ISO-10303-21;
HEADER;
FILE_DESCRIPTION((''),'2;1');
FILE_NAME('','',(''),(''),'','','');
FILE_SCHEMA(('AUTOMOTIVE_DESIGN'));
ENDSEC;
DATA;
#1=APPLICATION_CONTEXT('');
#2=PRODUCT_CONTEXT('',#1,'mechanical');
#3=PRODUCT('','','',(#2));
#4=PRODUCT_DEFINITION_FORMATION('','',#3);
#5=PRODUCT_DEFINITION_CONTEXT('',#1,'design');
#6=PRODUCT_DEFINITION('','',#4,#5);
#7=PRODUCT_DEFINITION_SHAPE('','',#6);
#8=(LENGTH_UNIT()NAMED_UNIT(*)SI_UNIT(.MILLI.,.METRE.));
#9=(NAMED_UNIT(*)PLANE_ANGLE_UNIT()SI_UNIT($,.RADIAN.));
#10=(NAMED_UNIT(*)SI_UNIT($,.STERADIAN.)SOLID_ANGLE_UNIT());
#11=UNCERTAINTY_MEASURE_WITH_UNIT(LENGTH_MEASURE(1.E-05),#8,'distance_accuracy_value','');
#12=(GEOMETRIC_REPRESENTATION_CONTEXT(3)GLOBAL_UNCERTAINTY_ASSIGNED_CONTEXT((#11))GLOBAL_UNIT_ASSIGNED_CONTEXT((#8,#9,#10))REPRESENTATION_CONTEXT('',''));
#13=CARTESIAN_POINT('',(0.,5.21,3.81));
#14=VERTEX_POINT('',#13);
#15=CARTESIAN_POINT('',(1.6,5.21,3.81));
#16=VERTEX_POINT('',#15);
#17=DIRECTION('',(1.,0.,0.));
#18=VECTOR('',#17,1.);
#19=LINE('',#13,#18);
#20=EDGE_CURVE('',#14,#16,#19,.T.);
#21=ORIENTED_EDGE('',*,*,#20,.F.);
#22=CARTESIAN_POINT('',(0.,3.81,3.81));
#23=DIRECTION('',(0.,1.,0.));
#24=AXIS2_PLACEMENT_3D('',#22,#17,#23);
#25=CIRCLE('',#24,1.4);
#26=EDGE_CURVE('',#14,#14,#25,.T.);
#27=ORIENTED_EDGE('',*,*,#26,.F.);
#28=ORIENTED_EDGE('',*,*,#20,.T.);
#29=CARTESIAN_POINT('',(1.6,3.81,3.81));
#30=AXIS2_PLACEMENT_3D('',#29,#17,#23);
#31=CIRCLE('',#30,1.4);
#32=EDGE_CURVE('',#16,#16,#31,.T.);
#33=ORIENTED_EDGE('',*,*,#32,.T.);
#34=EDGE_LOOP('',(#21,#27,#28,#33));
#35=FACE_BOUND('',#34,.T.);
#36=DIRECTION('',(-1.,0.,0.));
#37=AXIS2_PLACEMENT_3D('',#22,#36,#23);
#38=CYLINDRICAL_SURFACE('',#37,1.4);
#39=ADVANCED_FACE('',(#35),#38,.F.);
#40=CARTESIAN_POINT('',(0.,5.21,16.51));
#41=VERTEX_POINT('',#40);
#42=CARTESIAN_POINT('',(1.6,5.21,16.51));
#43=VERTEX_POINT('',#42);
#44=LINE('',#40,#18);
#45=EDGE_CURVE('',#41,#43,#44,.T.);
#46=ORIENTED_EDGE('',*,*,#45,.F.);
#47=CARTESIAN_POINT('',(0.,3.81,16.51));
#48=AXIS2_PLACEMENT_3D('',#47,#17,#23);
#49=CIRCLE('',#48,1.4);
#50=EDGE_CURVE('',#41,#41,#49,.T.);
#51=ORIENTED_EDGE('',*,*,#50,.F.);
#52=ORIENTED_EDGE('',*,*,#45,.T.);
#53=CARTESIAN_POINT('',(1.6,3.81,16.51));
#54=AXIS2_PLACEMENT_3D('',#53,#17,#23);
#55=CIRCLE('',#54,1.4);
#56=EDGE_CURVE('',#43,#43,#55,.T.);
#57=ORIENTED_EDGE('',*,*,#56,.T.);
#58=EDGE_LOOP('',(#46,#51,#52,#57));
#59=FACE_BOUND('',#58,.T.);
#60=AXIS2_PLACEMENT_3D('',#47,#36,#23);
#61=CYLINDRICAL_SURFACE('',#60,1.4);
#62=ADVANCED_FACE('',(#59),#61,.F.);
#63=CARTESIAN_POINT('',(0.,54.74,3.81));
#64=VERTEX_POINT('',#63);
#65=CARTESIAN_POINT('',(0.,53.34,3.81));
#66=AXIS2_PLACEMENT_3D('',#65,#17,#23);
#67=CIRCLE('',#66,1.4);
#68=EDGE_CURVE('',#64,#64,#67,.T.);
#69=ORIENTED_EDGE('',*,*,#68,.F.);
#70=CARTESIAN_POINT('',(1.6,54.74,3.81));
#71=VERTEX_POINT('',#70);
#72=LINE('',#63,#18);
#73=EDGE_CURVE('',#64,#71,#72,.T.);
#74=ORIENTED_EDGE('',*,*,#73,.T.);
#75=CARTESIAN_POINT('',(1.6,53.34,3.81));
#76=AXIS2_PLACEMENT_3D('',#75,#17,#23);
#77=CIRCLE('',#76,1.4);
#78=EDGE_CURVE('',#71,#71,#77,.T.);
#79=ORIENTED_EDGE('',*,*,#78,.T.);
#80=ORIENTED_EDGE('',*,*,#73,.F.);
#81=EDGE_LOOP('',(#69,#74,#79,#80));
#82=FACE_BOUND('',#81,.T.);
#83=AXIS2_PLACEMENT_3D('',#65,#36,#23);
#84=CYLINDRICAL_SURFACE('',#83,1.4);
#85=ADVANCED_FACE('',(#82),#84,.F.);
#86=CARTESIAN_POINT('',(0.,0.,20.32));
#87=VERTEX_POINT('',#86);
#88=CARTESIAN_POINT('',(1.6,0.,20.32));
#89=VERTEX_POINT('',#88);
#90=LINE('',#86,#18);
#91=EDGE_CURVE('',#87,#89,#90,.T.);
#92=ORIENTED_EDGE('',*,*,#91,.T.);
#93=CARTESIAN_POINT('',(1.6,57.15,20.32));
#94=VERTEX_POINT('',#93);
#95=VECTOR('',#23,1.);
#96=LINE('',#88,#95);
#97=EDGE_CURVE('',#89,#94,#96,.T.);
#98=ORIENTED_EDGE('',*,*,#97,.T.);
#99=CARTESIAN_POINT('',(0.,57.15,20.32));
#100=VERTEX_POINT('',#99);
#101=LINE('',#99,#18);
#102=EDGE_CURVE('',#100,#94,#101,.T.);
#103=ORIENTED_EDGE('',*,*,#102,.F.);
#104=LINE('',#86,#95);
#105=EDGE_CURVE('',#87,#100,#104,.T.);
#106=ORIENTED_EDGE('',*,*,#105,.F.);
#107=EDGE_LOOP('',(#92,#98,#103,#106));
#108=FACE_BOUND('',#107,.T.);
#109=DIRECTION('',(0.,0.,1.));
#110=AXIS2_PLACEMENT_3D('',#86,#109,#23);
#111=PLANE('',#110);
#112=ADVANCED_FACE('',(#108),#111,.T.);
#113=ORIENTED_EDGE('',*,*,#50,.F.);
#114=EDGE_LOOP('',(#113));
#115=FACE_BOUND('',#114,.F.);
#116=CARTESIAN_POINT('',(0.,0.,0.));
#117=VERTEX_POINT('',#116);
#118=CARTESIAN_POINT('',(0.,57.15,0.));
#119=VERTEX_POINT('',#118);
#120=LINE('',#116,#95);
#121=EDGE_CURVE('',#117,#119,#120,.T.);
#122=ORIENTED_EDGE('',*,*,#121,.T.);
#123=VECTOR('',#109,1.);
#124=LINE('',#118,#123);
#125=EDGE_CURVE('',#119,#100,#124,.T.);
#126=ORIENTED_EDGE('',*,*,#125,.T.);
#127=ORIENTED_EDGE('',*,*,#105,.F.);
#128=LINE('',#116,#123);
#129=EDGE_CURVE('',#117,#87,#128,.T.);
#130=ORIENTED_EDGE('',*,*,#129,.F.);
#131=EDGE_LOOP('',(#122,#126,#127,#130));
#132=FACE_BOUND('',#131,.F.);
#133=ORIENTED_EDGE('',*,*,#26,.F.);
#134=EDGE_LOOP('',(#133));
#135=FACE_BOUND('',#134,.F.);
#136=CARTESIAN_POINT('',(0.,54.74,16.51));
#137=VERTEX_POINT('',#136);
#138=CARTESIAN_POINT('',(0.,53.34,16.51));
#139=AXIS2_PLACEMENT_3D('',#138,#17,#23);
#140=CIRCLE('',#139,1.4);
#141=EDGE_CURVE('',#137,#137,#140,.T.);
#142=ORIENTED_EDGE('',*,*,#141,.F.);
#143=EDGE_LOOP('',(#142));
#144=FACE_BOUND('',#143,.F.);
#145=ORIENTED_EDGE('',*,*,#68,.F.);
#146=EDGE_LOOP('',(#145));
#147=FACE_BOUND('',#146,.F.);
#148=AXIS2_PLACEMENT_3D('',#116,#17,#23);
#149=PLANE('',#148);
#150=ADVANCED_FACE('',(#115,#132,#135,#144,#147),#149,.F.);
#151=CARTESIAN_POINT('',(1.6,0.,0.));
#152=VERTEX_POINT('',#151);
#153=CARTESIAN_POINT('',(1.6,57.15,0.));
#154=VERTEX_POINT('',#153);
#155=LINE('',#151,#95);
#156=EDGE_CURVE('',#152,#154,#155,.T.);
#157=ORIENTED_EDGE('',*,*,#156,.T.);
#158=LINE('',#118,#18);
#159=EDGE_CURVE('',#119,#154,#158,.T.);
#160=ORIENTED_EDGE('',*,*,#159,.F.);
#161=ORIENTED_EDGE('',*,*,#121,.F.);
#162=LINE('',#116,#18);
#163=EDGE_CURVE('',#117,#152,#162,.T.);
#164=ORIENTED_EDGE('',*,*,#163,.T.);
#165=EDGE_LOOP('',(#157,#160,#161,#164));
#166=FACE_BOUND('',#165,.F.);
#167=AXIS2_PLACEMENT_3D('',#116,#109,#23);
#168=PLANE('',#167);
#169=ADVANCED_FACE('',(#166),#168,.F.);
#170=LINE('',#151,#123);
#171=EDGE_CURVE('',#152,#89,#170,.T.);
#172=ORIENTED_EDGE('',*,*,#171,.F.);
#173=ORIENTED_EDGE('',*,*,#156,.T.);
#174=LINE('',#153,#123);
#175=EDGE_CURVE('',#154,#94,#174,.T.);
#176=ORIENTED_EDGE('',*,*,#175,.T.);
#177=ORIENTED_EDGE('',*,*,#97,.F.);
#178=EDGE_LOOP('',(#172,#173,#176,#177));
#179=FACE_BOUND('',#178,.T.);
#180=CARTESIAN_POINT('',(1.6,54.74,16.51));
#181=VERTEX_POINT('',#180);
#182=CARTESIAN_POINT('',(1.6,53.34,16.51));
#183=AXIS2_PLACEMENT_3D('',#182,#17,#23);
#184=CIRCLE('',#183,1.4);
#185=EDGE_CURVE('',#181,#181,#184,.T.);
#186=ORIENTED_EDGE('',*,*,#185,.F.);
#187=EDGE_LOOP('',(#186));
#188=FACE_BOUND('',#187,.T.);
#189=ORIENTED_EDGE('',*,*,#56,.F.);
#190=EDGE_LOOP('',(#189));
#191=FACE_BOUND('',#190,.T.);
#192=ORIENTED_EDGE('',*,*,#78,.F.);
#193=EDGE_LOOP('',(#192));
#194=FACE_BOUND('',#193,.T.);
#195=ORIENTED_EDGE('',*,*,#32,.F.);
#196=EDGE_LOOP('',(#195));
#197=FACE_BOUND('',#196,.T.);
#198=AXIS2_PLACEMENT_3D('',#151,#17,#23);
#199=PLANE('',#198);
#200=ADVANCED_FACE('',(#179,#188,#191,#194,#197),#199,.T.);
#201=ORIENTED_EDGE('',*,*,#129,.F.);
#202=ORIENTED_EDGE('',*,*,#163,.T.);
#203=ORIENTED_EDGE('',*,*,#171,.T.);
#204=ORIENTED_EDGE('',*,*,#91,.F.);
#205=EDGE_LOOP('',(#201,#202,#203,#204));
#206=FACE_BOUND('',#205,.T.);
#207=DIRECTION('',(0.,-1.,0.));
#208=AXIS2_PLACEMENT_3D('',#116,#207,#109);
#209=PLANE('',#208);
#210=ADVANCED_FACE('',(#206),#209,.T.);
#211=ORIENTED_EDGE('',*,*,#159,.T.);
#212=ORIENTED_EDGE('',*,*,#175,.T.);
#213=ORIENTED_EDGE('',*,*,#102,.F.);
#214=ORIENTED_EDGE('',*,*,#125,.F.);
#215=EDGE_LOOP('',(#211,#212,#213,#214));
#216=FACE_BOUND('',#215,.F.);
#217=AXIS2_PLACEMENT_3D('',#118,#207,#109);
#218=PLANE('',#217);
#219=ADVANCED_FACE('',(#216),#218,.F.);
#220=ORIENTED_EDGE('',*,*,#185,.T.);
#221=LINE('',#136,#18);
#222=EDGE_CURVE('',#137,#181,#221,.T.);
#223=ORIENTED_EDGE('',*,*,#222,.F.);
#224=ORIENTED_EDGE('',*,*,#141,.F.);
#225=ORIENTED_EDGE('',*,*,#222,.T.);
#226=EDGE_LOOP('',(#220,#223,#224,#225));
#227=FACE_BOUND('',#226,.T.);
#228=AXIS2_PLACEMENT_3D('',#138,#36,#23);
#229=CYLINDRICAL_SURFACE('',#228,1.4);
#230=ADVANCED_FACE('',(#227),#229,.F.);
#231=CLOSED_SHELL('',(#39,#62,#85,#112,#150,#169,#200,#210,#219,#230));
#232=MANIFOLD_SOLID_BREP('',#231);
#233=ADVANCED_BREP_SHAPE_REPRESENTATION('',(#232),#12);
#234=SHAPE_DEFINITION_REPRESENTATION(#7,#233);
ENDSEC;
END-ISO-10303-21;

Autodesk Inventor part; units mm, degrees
ref_plane "YZ Plane" through (0, 0, 0) normal (1, 0, 0) x (0, 1, 0)
ref_plane "XZ Plane" through (0, 0, 0) normal (0, 1, 0) x (-1, 0, 0)
ref_plane "XY Plane" through (0, 0, 0) normal (0, 0, 1) x (1, 0, 0)
sketch "Sketch1" plane through (0, 0, 0) normal (1, 0, 0) x (0, 1, 0)
  line L0 (0, 0) -> (57.15, 0)
  line L1 (57.15, 0) -> (57.15, 20.32)
  line L2 (0, 0) -> (0, 20.32)
  line L3 (28.575, 0) -> (28.575, 8.5438) construction
  circle A0 centre (3.81, 3.81) radius 1.4
  circle A1 centre (53.34, 3.81) radius 1.4
  circle A2 centre (53.34, 16.51) radius 1.4
  circle A3 centre (3.81, 16.51) radius 1.4
  line L4 (0, 20.32) -> (57.15, 20.32)
  dimension "d0" = 57.15
  dimension "d1" = 20.32
  dimension "d2" = 20.32
  dimension "d5" = 2.8
  dimension "d6" = 3.81
  dimension "d7" = 3.81
  dimension "d14" = 2.8
  dimension "d15" = 12.7
  dimension "d18" = 49.53
extrude "Extrusion1" add sketch "Sketch1" along normal blind 1.6
properties part number "PCBModuleLeft02" material "PCB(1)"
